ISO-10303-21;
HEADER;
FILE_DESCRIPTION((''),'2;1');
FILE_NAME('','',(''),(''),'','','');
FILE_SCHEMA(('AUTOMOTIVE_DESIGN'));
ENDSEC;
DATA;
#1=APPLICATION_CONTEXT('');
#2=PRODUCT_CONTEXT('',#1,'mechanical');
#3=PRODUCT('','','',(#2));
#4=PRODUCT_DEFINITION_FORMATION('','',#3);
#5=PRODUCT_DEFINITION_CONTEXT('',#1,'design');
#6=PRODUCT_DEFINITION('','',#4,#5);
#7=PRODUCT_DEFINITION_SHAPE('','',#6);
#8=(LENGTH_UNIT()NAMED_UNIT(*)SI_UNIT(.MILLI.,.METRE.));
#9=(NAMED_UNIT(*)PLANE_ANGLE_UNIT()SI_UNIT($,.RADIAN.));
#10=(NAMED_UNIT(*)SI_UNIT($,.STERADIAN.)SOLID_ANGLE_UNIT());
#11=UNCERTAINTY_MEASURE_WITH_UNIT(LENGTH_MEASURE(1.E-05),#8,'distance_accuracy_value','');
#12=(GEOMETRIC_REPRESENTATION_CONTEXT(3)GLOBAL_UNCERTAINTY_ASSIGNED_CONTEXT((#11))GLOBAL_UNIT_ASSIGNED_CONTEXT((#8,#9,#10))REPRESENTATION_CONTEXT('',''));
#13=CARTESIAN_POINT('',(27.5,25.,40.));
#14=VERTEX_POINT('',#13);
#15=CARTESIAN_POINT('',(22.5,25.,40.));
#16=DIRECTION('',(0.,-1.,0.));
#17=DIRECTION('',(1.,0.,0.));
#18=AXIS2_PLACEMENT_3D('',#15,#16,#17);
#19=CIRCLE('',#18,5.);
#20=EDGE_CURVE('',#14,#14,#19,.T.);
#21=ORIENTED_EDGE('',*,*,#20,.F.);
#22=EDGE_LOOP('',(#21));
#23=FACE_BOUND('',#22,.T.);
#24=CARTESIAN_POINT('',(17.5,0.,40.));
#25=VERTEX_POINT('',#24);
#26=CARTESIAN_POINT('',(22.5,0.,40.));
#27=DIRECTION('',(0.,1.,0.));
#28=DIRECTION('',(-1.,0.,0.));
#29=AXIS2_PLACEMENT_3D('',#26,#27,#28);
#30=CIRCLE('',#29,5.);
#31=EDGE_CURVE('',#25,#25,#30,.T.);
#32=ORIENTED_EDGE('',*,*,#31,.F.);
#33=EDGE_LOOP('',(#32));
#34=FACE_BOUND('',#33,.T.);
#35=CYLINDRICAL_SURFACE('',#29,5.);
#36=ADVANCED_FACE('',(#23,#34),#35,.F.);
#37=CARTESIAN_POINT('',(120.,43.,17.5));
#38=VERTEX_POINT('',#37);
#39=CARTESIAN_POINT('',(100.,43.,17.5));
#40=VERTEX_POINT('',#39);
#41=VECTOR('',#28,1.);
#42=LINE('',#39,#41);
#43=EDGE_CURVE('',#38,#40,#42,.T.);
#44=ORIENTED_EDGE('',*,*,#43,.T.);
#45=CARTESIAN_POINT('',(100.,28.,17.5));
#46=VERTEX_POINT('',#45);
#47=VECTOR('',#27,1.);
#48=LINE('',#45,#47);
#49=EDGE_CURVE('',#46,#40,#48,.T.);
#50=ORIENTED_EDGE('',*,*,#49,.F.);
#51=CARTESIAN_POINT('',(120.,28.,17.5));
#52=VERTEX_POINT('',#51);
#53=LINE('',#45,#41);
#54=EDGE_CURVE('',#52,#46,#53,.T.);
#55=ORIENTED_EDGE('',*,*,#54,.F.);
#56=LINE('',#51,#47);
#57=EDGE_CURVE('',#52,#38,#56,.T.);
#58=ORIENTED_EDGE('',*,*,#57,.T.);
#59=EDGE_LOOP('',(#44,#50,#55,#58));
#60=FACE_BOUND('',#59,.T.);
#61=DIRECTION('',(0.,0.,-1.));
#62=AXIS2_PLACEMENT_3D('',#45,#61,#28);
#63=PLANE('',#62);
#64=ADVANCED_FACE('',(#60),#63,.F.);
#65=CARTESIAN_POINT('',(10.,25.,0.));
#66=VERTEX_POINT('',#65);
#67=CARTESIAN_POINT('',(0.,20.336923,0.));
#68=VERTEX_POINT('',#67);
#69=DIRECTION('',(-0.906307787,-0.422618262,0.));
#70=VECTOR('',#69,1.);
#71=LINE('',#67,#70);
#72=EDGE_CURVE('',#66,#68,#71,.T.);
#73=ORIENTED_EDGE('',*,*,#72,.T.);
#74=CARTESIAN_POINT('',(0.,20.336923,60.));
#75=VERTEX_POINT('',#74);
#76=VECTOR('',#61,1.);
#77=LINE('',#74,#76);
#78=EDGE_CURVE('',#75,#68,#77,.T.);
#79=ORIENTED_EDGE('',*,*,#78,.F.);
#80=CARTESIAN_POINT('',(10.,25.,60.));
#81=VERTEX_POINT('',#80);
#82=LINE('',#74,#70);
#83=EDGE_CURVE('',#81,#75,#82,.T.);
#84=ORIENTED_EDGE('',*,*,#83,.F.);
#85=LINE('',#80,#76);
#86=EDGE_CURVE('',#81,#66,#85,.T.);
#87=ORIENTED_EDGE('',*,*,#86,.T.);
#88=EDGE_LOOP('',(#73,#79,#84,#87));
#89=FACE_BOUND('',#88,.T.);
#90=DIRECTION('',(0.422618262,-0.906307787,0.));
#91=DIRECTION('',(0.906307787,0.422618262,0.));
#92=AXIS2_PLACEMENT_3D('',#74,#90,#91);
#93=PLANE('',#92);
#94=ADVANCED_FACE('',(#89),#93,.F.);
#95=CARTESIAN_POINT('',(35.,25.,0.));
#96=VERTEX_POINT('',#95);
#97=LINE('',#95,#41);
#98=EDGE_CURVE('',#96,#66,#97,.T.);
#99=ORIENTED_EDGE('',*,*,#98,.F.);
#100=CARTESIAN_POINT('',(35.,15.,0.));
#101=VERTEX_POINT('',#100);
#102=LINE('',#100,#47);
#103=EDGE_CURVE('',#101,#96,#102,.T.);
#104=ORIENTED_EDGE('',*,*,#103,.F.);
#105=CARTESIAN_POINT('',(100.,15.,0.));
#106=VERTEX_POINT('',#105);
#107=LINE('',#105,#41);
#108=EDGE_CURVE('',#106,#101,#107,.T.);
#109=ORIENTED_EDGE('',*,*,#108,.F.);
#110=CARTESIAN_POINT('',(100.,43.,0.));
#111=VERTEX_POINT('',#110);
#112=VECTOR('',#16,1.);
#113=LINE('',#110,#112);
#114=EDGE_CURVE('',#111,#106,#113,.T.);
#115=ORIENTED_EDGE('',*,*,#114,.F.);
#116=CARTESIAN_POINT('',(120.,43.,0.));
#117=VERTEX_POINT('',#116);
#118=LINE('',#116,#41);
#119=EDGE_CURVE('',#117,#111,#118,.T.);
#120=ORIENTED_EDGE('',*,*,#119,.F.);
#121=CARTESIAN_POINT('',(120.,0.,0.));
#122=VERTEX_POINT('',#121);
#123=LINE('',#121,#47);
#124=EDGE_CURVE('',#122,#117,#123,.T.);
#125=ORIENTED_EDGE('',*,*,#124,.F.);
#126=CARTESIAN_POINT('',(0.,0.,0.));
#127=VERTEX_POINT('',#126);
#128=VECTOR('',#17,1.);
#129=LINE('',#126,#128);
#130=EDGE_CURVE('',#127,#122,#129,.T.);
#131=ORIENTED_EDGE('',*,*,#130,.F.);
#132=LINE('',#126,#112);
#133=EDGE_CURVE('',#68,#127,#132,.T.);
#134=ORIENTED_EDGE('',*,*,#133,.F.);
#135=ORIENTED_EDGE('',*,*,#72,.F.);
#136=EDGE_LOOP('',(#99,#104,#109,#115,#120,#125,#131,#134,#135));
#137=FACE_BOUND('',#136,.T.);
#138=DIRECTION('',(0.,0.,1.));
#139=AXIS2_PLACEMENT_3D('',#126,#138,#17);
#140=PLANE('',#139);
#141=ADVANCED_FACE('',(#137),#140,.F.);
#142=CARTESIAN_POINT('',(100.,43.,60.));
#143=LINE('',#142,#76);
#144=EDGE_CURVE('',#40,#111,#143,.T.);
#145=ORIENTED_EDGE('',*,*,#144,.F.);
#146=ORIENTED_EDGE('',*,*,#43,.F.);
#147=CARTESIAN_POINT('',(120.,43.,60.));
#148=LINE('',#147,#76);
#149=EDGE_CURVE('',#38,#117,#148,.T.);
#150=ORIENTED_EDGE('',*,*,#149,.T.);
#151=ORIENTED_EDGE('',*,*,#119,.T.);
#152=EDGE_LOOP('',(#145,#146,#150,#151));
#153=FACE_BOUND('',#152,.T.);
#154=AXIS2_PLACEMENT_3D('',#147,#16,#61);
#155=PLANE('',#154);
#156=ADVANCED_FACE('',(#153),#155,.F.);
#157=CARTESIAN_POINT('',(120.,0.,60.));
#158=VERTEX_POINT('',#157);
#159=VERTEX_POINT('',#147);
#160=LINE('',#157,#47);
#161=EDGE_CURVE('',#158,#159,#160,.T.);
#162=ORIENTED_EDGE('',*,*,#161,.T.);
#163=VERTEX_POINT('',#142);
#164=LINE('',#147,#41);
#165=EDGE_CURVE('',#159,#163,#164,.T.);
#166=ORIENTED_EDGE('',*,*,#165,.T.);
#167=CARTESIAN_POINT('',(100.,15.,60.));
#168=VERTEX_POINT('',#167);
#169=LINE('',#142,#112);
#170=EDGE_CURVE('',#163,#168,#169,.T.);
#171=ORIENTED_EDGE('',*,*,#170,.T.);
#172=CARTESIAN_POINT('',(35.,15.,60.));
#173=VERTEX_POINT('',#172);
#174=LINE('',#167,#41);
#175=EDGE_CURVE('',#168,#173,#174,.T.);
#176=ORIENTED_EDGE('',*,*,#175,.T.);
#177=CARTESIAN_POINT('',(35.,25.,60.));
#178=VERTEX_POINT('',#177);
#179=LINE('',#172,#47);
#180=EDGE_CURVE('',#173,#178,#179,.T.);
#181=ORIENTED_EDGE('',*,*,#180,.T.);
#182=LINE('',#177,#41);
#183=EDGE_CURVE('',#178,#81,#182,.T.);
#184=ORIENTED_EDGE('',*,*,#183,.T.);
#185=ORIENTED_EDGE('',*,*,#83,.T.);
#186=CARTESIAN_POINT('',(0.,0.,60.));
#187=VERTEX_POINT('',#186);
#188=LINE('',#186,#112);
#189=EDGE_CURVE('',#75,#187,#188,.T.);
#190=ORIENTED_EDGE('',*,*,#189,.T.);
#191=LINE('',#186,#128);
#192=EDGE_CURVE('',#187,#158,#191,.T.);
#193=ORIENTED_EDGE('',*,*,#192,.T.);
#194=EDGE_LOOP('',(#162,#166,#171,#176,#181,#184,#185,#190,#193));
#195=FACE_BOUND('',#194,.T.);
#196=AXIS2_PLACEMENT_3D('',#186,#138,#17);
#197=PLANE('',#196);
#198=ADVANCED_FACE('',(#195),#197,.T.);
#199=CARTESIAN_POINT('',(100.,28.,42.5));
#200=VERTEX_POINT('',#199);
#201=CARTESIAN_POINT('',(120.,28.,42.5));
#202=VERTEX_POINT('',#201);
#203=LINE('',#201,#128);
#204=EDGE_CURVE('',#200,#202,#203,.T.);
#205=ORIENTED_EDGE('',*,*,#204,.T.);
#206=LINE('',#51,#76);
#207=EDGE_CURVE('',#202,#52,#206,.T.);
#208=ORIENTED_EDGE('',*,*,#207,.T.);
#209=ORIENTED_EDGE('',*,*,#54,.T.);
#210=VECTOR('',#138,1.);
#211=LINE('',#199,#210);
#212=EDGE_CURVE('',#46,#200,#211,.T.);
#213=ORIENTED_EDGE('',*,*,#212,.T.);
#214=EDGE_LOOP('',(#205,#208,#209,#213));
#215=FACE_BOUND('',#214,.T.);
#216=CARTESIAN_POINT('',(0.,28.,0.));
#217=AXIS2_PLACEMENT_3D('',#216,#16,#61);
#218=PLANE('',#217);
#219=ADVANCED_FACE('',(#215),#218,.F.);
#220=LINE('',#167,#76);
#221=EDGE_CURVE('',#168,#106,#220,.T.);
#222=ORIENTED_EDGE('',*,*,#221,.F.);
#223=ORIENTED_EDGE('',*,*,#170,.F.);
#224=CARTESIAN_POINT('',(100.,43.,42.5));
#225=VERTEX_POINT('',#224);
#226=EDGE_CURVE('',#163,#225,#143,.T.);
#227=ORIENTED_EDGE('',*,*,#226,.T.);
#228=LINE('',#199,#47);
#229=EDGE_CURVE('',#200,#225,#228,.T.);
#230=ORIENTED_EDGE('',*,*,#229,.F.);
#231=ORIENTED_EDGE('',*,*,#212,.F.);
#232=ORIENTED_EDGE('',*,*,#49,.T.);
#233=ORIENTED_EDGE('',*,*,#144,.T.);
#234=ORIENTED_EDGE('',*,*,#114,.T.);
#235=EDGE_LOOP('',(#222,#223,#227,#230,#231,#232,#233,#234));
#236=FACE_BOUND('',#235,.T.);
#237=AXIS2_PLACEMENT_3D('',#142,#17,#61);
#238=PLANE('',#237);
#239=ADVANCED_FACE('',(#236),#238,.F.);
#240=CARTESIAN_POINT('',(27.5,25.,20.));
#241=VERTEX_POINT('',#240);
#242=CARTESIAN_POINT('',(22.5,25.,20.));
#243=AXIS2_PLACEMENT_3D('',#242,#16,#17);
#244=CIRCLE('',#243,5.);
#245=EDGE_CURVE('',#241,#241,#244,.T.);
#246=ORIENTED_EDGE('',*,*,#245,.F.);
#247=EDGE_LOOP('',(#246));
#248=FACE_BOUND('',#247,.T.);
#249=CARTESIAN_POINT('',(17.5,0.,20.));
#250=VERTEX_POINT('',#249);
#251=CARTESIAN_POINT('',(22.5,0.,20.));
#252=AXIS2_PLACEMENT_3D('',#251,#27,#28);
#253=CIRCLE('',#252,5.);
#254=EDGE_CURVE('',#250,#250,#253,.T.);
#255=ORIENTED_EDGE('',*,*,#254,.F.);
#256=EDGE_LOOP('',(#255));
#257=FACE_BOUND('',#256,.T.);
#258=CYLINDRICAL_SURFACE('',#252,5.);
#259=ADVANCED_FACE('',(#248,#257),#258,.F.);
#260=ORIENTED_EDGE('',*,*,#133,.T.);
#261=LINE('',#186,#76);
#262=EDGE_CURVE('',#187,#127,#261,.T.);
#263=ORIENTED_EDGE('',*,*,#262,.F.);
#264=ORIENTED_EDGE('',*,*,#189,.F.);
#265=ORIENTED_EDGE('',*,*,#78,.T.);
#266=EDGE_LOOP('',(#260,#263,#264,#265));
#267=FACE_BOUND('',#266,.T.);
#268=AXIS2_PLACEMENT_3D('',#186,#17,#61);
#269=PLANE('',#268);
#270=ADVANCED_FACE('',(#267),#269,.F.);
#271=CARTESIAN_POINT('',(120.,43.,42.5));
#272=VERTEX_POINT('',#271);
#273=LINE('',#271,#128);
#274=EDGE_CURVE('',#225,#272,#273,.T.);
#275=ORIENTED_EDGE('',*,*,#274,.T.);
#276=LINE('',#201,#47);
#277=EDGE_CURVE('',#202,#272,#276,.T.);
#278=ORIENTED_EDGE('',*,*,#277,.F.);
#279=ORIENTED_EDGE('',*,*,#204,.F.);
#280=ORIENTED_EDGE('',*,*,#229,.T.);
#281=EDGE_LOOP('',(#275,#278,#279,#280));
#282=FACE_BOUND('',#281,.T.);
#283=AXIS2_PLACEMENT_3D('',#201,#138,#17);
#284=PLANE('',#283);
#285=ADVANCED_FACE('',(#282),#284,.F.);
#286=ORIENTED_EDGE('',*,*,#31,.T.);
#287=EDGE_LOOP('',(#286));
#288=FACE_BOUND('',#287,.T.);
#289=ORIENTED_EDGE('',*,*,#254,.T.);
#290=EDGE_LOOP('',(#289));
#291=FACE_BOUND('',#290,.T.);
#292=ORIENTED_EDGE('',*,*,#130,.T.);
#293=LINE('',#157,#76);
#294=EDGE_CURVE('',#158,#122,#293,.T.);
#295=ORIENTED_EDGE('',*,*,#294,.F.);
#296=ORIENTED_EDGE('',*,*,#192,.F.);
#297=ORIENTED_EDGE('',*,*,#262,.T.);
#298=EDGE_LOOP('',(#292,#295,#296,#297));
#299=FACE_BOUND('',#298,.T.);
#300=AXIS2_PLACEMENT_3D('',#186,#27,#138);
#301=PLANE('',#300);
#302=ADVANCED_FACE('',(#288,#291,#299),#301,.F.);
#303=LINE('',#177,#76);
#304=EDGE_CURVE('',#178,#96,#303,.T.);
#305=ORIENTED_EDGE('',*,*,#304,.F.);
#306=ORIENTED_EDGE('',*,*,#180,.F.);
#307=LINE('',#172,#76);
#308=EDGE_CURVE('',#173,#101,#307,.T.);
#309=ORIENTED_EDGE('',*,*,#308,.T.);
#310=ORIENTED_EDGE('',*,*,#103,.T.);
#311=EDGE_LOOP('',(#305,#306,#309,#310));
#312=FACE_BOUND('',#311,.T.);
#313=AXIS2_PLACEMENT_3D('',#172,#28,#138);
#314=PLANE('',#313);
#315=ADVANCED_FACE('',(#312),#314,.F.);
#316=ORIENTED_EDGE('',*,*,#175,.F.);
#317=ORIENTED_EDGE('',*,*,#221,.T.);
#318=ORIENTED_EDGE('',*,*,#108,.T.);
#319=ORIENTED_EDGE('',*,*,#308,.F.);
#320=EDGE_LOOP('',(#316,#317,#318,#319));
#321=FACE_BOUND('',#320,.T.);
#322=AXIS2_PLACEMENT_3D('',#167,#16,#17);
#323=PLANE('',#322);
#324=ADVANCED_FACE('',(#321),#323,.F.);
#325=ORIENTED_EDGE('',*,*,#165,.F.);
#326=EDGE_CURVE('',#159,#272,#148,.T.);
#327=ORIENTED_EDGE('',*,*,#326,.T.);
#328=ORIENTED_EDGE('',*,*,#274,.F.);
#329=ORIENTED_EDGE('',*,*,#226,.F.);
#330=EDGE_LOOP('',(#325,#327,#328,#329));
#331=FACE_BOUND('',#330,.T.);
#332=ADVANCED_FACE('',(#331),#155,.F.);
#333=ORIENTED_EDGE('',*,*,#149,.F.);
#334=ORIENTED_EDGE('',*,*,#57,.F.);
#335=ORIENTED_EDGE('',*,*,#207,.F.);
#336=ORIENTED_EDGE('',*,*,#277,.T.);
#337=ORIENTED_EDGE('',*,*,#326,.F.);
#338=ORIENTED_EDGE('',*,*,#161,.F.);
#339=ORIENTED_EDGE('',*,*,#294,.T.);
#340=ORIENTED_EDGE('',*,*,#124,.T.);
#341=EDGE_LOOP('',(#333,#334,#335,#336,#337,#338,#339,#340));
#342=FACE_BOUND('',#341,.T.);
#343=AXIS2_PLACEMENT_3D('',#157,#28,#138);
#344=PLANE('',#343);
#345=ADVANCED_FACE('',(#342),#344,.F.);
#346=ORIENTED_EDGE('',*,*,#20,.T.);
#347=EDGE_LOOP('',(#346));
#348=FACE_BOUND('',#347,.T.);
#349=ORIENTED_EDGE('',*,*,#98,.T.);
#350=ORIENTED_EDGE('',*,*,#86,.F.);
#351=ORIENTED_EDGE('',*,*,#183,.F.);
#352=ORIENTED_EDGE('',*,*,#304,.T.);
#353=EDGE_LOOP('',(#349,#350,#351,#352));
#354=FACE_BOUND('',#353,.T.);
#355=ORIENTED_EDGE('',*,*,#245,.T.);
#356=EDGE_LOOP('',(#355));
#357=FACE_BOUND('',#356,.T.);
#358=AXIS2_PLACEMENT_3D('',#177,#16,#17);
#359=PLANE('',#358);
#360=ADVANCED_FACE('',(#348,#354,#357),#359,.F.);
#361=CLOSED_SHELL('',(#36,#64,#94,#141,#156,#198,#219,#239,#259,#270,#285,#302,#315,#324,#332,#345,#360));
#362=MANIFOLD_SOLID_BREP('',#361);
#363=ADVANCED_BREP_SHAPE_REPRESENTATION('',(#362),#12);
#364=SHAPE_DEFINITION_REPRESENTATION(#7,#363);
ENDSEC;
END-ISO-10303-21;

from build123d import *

# Parameters (mm, degrees)
BOSS_EXTRUDE1_DEPTH     = 60
SKETCH2_W               = 20
SKETCH2_H               = 25
CUT_EXTRUDE1_DEPTH      = 15
CUT_EXTRUDE2_DEPTH      = 137.47344064
CUT_EXTRUDE2_DEPTH_BACK = 137.47344064
SKETCH3_R               = 5


with BuildPart() as part:
    # Sketch1 → Boss-Extrude1 (new body)
    with BuildSketch(Plane.XY):
        Polygon((0, 0), (120, 0), (120, 43), (100, 43), (100, 15), (35, 15), (35, 25), (10, 25), (0, 20.336923418), align=None)
    extrude(amount=BOSS_EXTRUDE1_DEPTH)

    # Sketch2 → Cut-Extrude1 (cut)
    with BuildSketch(Plane(origin=(0, 43, 0), x_dir=(1, 0, 0), z_dir=(0, 1, 0))):
        with Locations((110, -30)):
            Rectangle(SKETCH2_W, SKETCH2_H)
    extrude(amount=-CUT_EXTRUDE1_DEPTH, mode=Mode.SUBTRACT)

    # Sketch3 → Cut-Extrude2 (cut, two sides: drawn at the far end of the back side and taken through both)
    with BuildSketch(Plane(origin=(0, 25, 0), x_dir=(1, 0, 0), z_dir=(0, 1, 0)).offset(-CUT_EXTRUDE2_DEPTH_BACK)):
        with Locations(Location((22.5, -40, 0), (0, 0, 180))):
            Circle(SKETCH3_R)
        with Locations(Location((22.5, -20, 0), (0, 0, 180))):
            Circle(SKETCH3_R)
    extrude(amount=CUT_EXTRUDE2_DEPTH + CUT_EXTRUDE2_DEPTH_BACK, mode=Mode.SUBTRACT)


solid = part.part
